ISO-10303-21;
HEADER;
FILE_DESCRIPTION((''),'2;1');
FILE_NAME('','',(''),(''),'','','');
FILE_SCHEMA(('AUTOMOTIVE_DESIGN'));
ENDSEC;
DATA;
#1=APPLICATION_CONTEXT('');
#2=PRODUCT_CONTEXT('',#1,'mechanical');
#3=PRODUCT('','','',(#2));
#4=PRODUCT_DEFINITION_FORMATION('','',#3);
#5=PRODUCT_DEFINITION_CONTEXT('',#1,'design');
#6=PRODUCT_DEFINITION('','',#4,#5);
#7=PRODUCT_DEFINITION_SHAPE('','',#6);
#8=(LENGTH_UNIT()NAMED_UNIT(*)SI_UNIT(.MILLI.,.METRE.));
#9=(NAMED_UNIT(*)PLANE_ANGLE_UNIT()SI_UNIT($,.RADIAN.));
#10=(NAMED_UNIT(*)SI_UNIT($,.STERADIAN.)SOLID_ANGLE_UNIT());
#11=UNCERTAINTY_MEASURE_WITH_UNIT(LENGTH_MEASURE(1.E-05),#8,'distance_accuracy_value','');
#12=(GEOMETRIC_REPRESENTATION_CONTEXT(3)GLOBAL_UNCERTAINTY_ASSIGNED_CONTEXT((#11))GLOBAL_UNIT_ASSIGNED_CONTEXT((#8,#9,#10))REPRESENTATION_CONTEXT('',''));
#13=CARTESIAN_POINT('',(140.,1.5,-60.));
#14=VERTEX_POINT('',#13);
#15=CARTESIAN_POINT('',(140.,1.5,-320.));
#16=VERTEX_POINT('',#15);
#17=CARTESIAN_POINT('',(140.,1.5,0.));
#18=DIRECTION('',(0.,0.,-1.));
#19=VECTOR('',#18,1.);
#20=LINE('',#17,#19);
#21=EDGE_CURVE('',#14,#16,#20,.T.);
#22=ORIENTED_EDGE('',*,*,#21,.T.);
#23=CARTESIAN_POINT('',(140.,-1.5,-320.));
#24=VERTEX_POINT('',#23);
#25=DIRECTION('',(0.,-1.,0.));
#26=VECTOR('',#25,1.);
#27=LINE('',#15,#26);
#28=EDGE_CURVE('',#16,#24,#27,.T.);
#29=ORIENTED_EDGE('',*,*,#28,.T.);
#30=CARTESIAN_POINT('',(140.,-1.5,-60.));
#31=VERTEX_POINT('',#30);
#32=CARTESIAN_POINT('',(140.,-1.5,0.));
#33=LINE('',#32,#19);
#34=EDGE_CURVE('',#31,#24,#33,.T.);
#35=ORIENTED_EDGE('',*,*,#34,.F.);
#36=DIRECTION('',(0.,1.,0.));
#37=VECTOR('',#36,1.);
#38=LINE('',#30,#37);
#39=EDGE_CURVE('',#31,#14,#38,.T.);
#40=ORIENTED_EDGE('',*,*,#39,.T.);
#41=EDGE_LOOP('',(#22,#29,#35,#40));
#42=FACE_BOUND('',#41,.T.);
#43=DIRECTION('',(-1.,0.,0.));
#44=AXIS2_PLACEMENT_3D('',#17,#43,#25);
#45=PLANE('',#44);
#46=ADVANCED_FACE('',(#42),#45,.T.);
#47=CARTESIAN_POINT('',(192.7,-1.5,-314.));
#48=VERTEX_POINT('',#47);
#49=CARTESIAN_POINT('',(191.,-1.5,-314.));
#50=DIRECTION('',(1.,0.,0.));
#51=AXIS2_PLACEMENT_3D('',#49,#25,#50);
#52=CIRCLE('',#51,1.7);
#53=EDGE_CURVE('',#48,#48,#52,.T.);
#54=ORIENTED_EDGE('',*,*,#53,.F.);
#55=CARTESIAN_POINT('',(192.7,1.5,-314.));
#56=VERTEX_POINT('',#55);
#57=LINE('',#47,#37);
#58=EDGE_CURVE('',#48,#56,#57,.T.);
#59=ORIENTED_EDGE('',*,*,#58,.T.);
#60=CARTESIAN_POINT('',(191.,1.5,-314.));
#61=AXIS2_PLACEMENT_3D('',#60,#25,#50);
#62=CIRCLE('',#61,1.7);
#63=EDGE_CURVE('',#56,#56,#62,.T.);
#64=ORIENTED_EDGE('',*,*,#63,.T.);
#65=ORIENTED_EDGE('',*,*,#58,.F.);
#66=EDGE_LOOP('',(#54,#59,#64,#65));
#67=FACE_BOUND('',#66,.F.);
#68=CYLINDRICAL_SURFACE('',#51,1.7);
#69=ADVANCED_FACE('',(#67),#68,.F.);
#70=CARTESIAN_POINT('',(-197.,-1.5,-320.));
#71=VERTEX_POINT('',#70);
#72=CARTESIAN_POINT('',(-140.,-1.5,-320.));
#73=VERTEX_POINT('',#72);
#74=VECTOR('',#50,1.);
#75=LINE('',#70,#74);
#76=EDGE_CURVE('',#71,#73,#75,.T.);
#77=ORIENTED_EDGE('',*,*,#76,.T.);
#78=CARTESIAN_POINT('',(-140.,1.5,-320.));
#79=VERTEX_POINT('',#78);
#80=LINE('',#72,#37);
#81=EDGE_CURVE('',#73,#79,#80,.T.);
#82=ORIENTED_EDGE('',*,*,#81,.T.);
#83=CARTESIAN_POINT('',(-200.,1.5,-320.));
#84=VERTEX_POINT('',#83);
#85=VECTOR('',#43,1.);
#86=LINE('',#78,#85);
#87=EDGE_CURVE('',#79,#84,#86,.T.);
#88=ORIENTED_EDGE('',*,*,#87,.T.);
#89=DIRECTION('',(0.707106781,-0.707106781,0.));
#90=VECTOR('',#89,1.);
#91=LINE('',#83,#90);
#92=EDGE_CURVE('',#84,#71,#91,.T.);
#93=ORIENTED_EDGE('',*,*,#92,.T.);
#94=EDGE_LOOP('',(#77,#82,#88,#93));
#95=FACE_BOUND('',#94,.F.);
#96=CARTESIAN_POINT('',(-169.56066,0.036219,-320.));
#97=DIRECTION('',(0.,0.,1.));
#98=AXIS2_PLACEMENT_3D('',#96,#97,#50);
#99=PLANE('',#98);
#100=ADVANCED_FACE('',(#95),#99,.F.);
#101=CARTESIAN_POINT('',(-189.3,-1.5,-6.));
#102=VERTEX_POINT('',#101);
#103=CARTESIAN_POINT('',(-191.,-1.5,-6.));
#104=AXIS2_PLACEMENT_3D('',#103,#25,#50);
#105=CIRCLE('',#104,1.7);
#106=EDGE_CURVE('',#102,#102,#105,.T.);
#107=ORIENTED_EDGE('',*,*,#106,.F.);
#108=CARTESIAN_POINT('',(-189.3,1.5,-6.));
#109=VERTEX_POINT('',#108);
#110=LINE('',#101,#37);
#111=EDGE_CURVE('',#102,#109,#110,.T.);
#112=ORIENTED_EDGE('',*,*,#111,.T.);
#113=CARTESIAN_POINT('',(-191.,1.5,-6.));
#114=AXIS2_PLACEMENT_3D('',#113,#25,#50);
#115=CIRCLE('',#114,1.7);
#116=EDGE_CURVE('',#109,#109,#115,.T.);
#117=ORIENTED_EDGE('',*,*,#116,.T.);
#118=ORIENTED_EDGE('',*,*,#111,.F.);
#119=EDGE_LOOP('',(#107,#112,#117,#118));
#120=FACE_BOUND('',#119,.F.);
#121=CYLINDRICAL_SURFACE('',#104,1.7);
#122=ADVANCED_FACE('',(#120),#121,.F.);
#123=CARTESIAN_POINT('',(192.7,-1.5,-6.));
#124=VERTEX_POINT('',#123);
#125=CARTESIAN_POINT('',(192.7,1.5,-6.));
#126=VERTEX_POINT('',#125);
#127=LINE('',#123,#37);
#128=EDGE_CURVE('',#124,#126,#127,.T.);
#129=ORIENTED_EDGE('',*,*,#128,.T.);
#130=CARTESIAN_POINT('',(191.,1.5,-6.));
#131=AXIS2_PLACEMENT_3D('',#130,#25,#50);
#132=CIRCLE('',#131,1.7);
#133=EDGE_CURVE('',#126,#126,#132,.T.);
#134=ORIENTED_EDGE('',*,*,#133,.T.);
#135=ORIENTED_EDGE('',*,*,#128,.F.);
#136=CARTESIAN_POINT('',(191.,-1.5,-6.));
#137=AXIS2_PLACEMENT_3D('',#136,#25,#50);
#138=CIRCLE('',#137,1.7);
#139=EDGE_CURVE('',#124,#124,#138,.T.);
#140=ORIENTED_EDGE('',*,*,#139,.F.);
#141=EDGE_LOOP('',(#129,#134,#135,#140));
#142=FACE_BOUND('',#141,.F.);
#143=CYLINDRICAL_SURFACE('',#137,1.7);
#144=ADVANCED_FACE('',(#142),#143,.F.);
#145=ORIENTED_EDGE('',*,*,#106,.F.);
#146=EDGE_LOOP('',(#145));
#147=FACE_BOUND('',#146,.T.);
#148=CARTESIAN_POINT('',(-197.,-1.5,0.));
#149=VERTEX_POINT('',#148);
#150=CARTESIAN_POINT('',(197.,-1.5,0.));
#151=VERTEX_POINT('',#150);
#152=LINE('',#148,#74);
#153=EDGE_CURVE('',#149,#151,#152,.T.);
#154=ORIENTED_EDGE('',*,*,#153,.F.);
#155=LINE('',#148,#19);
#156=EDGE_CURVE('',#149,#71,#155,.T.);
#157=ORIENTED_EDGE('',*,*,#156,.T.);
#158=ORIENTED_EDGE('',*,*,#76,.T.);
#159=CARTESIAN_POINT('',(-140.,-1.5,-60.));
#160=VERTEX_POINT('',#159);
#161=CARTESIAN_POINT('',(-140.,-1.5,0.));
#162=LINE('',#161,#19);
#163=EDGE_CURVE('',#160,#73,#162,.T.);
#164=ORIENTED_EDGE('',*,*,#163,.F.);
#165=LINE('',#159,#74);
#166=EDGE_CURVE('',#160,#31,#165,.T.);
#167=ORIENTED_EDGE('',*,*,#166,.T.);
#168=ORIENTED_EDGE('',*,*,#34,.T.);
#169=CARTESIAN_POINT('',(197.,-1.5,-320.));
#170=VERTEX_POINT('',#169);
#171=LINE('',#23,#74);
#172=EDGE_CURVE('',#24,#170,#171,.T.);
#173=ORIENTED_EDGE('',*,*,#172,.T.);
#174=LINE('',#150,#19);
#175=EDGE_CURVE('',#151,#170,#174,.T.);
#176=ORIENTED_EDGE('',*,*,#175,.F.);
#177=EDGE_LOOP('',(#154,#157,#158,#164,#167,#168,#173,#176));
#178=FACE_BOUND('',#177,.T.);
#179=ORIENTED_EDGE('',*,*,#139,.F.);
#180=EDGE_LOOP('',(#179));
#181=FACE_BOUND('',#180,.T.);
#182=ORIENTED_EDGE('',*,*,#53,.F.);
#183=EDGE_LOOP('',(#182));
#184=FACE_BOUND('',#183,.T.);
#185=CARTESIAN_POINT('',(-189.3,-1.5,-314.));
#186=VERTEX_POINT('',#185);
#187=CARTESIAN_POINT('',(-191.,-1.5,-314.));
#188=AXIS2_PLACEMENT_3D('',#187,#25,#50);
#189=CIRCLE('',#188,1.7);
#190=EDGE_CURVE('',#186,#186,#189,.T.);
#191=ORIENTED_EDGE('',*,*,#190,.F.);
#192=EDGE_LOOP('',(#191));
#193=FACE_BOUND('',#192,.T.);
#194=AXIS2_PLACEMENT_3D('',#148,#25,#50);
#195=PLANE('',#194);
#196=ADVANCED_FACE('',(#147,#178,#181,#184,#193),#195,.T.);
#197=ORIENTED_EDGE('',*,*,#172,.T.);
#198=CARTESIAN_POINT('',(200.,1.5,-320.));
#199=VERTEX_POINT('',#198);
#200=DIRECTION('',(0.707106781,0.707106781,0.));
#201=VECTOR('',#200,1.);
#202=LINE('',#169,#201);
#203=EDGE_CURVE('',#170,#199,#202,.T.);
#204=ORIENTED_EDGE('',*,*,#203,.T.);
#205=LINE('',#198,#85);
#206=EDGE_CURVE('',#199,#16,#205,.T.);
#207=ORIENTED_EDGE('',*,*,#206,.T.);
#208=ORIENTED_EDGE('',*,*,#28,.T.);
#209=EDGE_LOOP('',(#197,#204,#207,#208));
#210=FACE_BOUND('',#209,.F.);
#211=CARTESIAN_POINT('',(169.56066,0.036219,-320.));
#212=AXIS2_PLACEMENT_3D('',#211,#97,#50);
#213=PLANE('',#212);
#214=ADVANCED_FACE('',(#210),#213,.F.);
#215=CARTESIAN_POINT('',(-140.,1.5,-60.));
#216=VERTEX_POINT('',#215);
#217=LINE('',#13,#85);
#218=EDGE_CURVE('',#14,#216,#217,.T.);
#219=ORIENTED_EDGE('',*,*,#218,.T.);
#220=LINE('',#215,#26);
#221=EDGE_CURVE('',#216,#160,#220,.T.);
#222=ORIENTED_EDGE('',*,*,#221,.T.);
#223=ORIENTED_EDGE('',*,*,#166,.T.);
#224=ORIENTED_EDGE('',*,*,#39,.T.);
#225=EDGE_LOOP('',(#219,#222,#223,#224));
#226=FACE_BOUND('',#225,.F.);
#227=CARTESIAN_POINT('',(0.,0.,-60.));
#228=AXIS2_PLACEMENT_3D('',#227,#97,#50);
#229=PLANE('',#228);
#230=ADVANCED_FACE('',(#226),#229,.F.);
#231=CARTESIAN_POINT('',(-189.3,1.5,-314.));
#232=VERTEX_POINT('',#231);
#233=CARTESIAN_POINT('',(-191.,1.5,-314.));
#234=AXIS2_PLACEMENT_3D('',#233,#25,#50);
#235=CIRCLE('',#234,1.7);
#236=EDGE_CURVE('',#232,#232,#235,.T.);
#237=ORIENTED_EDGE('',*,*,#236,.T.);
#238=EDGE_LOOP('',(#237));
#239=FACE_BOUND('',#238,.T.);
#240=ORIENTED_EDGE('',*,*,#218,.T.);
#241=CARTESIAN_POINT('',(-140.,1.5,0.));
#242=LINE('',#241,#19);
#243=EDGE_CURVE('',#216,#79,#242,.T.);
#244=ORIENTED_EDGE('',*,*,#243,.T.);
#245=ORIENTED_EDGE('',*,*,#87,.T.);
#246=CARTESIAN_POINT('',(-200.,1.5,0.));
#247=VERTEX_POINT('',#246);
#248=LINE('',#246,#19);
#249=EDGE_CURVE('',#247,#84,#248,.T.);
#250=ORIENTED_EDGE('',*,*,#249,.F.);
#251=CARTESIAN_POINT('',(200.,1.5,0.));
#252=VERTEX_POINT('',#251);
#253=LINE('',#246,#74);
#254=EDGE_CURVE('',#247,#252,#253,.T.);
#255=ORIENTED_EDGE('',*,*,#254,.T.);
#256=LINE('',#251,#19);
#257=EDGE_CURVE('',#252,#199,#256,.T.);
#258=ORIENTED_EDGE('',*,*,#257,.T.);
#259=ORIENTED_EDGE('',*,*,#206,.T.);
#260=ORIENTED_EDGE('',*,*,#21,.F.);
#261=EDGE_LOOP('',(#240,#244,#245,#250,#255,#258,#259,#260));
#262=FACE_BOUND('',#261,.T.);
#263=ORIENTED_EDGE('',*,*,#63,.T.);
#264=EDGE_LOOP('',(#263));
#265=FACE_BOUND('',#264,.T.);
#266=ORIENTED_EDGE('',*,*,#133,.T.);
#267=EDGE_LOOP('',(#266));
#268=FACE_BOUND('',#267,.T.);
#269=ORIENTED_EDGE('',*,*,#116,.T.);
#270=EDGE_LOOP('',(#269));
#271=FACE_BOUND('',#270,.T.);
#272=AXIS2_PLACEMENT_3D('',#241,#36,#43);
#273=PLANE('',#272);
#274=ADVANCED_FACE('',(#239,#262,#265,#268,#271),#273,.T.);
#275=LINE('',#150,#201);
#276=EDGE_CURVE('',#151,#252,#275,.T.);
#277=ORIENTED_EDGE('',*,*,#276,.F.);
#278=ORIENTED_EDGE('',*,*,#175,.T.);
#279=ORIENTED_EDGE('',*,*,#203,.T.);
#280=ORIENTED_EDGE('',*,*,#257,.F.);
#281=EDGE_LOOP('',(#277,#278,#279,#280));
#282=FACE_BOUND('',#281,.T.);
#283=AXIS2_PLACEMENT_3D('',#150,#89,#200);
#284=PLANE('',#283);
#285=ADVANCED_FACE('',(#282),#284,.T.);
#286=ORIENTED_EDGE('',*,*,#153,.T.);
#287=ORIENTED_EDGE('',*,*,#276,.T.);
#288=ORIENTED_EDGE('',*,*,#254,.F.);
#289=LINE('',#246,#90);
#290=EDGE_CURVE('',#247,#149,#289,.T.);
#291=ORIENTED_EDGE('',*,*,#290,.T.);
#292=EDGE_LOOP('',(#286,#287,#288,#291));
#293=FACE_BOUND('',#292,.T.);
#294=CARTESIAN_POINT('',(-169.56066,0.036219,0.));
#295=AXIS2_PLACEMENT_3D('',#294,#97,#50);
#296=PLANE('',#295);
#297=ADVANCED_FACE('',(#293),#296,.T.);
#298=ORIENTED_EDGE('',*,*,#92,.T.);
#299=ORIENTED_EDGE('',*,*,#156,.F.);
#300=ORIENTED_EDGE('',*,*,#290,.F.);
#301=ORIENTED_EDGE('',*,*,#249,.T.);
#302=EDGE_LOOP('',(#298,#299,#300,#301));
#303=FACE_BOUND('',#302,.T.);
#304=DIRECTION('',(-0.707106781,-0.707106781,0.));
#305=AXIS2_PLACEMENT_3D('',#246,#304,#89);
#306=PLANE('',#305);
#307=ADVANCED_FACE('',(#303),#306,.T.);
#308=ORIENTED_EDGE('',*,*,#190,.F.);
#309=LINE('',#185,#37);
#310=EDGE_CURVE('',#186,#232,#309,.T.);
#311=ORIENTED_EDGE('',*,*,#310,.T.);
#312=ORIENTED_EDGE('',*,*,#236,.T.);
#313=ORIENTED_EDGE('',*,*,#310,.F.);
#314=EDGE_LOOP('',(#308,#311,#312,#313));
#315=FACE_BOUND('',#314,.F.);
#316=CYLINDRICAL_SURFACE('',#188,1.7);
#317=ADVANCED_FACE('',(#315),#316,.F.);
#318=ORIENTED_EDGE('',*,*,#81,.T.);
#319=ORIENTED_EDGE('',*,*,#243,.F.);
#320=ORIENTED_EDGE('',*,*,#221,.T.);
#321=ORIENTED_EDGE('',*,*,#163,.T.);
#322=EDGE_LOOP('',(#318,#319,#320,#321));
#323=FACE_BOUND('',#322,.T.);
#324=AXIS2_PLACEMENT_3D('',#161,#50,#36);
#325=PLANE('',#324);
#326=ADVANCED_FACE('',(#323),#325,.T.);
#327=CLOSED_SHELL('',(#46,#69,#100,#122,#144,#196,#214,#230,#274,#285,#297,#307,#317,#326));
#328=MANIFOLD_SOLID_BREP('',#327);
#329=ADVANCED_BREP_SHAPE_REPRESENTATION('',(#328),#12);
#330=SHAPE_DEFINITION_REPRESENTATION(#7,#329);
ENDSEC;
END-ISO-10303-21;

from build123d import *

# Parameters (mm, degrees)
F1_DEPTH = 60
F2_DEPTH = 320
F3_R     = 1.7
F4_DEPTH = 3


with BuildPart() as f1:
    # F0 (on Top) → F1 (new body)
    with BuildSketch(Plane.XY):
        Polygon((140, 1.5), (0, 1.5), (-140, 1.5), (-140, 0), (-140, -1.5), (0, -1.5), (140, -1.5), (140, 0), align=None)
    extrude(amount=-F1_DEPTH)

    # F0 (on Top) → F2 (join)
    with BuildSketch(Plane.XY):
        Polygon((-140, 0), (-140, 1.5), (-200, 1.5), (-197, -1.5), (-140, -1.5), align=None)
        Polygon((200, 1.5), (140, 1.5), (140, 0), (140, -1.5), (197, -1.5), align=None)
    extrude(amount=-F2_DEPTH)

    # F3 (on face) → F4 (cut)
    with BuildSketch(Plane.XZ.offset(1.5)):
        with Locations((191, -6)):
            Circle(F3_R)
        with Locations((191, -314)):
            Circle(F3_R)
        with Locations((-191, -314)):
            Circle(F3_R)
        with Locations((-191, -6)):
            Circle(F3_R)
    extrude(amount=-F4_DEPTH, mode=Mode.SUBTRACT)


solid = f1.part
